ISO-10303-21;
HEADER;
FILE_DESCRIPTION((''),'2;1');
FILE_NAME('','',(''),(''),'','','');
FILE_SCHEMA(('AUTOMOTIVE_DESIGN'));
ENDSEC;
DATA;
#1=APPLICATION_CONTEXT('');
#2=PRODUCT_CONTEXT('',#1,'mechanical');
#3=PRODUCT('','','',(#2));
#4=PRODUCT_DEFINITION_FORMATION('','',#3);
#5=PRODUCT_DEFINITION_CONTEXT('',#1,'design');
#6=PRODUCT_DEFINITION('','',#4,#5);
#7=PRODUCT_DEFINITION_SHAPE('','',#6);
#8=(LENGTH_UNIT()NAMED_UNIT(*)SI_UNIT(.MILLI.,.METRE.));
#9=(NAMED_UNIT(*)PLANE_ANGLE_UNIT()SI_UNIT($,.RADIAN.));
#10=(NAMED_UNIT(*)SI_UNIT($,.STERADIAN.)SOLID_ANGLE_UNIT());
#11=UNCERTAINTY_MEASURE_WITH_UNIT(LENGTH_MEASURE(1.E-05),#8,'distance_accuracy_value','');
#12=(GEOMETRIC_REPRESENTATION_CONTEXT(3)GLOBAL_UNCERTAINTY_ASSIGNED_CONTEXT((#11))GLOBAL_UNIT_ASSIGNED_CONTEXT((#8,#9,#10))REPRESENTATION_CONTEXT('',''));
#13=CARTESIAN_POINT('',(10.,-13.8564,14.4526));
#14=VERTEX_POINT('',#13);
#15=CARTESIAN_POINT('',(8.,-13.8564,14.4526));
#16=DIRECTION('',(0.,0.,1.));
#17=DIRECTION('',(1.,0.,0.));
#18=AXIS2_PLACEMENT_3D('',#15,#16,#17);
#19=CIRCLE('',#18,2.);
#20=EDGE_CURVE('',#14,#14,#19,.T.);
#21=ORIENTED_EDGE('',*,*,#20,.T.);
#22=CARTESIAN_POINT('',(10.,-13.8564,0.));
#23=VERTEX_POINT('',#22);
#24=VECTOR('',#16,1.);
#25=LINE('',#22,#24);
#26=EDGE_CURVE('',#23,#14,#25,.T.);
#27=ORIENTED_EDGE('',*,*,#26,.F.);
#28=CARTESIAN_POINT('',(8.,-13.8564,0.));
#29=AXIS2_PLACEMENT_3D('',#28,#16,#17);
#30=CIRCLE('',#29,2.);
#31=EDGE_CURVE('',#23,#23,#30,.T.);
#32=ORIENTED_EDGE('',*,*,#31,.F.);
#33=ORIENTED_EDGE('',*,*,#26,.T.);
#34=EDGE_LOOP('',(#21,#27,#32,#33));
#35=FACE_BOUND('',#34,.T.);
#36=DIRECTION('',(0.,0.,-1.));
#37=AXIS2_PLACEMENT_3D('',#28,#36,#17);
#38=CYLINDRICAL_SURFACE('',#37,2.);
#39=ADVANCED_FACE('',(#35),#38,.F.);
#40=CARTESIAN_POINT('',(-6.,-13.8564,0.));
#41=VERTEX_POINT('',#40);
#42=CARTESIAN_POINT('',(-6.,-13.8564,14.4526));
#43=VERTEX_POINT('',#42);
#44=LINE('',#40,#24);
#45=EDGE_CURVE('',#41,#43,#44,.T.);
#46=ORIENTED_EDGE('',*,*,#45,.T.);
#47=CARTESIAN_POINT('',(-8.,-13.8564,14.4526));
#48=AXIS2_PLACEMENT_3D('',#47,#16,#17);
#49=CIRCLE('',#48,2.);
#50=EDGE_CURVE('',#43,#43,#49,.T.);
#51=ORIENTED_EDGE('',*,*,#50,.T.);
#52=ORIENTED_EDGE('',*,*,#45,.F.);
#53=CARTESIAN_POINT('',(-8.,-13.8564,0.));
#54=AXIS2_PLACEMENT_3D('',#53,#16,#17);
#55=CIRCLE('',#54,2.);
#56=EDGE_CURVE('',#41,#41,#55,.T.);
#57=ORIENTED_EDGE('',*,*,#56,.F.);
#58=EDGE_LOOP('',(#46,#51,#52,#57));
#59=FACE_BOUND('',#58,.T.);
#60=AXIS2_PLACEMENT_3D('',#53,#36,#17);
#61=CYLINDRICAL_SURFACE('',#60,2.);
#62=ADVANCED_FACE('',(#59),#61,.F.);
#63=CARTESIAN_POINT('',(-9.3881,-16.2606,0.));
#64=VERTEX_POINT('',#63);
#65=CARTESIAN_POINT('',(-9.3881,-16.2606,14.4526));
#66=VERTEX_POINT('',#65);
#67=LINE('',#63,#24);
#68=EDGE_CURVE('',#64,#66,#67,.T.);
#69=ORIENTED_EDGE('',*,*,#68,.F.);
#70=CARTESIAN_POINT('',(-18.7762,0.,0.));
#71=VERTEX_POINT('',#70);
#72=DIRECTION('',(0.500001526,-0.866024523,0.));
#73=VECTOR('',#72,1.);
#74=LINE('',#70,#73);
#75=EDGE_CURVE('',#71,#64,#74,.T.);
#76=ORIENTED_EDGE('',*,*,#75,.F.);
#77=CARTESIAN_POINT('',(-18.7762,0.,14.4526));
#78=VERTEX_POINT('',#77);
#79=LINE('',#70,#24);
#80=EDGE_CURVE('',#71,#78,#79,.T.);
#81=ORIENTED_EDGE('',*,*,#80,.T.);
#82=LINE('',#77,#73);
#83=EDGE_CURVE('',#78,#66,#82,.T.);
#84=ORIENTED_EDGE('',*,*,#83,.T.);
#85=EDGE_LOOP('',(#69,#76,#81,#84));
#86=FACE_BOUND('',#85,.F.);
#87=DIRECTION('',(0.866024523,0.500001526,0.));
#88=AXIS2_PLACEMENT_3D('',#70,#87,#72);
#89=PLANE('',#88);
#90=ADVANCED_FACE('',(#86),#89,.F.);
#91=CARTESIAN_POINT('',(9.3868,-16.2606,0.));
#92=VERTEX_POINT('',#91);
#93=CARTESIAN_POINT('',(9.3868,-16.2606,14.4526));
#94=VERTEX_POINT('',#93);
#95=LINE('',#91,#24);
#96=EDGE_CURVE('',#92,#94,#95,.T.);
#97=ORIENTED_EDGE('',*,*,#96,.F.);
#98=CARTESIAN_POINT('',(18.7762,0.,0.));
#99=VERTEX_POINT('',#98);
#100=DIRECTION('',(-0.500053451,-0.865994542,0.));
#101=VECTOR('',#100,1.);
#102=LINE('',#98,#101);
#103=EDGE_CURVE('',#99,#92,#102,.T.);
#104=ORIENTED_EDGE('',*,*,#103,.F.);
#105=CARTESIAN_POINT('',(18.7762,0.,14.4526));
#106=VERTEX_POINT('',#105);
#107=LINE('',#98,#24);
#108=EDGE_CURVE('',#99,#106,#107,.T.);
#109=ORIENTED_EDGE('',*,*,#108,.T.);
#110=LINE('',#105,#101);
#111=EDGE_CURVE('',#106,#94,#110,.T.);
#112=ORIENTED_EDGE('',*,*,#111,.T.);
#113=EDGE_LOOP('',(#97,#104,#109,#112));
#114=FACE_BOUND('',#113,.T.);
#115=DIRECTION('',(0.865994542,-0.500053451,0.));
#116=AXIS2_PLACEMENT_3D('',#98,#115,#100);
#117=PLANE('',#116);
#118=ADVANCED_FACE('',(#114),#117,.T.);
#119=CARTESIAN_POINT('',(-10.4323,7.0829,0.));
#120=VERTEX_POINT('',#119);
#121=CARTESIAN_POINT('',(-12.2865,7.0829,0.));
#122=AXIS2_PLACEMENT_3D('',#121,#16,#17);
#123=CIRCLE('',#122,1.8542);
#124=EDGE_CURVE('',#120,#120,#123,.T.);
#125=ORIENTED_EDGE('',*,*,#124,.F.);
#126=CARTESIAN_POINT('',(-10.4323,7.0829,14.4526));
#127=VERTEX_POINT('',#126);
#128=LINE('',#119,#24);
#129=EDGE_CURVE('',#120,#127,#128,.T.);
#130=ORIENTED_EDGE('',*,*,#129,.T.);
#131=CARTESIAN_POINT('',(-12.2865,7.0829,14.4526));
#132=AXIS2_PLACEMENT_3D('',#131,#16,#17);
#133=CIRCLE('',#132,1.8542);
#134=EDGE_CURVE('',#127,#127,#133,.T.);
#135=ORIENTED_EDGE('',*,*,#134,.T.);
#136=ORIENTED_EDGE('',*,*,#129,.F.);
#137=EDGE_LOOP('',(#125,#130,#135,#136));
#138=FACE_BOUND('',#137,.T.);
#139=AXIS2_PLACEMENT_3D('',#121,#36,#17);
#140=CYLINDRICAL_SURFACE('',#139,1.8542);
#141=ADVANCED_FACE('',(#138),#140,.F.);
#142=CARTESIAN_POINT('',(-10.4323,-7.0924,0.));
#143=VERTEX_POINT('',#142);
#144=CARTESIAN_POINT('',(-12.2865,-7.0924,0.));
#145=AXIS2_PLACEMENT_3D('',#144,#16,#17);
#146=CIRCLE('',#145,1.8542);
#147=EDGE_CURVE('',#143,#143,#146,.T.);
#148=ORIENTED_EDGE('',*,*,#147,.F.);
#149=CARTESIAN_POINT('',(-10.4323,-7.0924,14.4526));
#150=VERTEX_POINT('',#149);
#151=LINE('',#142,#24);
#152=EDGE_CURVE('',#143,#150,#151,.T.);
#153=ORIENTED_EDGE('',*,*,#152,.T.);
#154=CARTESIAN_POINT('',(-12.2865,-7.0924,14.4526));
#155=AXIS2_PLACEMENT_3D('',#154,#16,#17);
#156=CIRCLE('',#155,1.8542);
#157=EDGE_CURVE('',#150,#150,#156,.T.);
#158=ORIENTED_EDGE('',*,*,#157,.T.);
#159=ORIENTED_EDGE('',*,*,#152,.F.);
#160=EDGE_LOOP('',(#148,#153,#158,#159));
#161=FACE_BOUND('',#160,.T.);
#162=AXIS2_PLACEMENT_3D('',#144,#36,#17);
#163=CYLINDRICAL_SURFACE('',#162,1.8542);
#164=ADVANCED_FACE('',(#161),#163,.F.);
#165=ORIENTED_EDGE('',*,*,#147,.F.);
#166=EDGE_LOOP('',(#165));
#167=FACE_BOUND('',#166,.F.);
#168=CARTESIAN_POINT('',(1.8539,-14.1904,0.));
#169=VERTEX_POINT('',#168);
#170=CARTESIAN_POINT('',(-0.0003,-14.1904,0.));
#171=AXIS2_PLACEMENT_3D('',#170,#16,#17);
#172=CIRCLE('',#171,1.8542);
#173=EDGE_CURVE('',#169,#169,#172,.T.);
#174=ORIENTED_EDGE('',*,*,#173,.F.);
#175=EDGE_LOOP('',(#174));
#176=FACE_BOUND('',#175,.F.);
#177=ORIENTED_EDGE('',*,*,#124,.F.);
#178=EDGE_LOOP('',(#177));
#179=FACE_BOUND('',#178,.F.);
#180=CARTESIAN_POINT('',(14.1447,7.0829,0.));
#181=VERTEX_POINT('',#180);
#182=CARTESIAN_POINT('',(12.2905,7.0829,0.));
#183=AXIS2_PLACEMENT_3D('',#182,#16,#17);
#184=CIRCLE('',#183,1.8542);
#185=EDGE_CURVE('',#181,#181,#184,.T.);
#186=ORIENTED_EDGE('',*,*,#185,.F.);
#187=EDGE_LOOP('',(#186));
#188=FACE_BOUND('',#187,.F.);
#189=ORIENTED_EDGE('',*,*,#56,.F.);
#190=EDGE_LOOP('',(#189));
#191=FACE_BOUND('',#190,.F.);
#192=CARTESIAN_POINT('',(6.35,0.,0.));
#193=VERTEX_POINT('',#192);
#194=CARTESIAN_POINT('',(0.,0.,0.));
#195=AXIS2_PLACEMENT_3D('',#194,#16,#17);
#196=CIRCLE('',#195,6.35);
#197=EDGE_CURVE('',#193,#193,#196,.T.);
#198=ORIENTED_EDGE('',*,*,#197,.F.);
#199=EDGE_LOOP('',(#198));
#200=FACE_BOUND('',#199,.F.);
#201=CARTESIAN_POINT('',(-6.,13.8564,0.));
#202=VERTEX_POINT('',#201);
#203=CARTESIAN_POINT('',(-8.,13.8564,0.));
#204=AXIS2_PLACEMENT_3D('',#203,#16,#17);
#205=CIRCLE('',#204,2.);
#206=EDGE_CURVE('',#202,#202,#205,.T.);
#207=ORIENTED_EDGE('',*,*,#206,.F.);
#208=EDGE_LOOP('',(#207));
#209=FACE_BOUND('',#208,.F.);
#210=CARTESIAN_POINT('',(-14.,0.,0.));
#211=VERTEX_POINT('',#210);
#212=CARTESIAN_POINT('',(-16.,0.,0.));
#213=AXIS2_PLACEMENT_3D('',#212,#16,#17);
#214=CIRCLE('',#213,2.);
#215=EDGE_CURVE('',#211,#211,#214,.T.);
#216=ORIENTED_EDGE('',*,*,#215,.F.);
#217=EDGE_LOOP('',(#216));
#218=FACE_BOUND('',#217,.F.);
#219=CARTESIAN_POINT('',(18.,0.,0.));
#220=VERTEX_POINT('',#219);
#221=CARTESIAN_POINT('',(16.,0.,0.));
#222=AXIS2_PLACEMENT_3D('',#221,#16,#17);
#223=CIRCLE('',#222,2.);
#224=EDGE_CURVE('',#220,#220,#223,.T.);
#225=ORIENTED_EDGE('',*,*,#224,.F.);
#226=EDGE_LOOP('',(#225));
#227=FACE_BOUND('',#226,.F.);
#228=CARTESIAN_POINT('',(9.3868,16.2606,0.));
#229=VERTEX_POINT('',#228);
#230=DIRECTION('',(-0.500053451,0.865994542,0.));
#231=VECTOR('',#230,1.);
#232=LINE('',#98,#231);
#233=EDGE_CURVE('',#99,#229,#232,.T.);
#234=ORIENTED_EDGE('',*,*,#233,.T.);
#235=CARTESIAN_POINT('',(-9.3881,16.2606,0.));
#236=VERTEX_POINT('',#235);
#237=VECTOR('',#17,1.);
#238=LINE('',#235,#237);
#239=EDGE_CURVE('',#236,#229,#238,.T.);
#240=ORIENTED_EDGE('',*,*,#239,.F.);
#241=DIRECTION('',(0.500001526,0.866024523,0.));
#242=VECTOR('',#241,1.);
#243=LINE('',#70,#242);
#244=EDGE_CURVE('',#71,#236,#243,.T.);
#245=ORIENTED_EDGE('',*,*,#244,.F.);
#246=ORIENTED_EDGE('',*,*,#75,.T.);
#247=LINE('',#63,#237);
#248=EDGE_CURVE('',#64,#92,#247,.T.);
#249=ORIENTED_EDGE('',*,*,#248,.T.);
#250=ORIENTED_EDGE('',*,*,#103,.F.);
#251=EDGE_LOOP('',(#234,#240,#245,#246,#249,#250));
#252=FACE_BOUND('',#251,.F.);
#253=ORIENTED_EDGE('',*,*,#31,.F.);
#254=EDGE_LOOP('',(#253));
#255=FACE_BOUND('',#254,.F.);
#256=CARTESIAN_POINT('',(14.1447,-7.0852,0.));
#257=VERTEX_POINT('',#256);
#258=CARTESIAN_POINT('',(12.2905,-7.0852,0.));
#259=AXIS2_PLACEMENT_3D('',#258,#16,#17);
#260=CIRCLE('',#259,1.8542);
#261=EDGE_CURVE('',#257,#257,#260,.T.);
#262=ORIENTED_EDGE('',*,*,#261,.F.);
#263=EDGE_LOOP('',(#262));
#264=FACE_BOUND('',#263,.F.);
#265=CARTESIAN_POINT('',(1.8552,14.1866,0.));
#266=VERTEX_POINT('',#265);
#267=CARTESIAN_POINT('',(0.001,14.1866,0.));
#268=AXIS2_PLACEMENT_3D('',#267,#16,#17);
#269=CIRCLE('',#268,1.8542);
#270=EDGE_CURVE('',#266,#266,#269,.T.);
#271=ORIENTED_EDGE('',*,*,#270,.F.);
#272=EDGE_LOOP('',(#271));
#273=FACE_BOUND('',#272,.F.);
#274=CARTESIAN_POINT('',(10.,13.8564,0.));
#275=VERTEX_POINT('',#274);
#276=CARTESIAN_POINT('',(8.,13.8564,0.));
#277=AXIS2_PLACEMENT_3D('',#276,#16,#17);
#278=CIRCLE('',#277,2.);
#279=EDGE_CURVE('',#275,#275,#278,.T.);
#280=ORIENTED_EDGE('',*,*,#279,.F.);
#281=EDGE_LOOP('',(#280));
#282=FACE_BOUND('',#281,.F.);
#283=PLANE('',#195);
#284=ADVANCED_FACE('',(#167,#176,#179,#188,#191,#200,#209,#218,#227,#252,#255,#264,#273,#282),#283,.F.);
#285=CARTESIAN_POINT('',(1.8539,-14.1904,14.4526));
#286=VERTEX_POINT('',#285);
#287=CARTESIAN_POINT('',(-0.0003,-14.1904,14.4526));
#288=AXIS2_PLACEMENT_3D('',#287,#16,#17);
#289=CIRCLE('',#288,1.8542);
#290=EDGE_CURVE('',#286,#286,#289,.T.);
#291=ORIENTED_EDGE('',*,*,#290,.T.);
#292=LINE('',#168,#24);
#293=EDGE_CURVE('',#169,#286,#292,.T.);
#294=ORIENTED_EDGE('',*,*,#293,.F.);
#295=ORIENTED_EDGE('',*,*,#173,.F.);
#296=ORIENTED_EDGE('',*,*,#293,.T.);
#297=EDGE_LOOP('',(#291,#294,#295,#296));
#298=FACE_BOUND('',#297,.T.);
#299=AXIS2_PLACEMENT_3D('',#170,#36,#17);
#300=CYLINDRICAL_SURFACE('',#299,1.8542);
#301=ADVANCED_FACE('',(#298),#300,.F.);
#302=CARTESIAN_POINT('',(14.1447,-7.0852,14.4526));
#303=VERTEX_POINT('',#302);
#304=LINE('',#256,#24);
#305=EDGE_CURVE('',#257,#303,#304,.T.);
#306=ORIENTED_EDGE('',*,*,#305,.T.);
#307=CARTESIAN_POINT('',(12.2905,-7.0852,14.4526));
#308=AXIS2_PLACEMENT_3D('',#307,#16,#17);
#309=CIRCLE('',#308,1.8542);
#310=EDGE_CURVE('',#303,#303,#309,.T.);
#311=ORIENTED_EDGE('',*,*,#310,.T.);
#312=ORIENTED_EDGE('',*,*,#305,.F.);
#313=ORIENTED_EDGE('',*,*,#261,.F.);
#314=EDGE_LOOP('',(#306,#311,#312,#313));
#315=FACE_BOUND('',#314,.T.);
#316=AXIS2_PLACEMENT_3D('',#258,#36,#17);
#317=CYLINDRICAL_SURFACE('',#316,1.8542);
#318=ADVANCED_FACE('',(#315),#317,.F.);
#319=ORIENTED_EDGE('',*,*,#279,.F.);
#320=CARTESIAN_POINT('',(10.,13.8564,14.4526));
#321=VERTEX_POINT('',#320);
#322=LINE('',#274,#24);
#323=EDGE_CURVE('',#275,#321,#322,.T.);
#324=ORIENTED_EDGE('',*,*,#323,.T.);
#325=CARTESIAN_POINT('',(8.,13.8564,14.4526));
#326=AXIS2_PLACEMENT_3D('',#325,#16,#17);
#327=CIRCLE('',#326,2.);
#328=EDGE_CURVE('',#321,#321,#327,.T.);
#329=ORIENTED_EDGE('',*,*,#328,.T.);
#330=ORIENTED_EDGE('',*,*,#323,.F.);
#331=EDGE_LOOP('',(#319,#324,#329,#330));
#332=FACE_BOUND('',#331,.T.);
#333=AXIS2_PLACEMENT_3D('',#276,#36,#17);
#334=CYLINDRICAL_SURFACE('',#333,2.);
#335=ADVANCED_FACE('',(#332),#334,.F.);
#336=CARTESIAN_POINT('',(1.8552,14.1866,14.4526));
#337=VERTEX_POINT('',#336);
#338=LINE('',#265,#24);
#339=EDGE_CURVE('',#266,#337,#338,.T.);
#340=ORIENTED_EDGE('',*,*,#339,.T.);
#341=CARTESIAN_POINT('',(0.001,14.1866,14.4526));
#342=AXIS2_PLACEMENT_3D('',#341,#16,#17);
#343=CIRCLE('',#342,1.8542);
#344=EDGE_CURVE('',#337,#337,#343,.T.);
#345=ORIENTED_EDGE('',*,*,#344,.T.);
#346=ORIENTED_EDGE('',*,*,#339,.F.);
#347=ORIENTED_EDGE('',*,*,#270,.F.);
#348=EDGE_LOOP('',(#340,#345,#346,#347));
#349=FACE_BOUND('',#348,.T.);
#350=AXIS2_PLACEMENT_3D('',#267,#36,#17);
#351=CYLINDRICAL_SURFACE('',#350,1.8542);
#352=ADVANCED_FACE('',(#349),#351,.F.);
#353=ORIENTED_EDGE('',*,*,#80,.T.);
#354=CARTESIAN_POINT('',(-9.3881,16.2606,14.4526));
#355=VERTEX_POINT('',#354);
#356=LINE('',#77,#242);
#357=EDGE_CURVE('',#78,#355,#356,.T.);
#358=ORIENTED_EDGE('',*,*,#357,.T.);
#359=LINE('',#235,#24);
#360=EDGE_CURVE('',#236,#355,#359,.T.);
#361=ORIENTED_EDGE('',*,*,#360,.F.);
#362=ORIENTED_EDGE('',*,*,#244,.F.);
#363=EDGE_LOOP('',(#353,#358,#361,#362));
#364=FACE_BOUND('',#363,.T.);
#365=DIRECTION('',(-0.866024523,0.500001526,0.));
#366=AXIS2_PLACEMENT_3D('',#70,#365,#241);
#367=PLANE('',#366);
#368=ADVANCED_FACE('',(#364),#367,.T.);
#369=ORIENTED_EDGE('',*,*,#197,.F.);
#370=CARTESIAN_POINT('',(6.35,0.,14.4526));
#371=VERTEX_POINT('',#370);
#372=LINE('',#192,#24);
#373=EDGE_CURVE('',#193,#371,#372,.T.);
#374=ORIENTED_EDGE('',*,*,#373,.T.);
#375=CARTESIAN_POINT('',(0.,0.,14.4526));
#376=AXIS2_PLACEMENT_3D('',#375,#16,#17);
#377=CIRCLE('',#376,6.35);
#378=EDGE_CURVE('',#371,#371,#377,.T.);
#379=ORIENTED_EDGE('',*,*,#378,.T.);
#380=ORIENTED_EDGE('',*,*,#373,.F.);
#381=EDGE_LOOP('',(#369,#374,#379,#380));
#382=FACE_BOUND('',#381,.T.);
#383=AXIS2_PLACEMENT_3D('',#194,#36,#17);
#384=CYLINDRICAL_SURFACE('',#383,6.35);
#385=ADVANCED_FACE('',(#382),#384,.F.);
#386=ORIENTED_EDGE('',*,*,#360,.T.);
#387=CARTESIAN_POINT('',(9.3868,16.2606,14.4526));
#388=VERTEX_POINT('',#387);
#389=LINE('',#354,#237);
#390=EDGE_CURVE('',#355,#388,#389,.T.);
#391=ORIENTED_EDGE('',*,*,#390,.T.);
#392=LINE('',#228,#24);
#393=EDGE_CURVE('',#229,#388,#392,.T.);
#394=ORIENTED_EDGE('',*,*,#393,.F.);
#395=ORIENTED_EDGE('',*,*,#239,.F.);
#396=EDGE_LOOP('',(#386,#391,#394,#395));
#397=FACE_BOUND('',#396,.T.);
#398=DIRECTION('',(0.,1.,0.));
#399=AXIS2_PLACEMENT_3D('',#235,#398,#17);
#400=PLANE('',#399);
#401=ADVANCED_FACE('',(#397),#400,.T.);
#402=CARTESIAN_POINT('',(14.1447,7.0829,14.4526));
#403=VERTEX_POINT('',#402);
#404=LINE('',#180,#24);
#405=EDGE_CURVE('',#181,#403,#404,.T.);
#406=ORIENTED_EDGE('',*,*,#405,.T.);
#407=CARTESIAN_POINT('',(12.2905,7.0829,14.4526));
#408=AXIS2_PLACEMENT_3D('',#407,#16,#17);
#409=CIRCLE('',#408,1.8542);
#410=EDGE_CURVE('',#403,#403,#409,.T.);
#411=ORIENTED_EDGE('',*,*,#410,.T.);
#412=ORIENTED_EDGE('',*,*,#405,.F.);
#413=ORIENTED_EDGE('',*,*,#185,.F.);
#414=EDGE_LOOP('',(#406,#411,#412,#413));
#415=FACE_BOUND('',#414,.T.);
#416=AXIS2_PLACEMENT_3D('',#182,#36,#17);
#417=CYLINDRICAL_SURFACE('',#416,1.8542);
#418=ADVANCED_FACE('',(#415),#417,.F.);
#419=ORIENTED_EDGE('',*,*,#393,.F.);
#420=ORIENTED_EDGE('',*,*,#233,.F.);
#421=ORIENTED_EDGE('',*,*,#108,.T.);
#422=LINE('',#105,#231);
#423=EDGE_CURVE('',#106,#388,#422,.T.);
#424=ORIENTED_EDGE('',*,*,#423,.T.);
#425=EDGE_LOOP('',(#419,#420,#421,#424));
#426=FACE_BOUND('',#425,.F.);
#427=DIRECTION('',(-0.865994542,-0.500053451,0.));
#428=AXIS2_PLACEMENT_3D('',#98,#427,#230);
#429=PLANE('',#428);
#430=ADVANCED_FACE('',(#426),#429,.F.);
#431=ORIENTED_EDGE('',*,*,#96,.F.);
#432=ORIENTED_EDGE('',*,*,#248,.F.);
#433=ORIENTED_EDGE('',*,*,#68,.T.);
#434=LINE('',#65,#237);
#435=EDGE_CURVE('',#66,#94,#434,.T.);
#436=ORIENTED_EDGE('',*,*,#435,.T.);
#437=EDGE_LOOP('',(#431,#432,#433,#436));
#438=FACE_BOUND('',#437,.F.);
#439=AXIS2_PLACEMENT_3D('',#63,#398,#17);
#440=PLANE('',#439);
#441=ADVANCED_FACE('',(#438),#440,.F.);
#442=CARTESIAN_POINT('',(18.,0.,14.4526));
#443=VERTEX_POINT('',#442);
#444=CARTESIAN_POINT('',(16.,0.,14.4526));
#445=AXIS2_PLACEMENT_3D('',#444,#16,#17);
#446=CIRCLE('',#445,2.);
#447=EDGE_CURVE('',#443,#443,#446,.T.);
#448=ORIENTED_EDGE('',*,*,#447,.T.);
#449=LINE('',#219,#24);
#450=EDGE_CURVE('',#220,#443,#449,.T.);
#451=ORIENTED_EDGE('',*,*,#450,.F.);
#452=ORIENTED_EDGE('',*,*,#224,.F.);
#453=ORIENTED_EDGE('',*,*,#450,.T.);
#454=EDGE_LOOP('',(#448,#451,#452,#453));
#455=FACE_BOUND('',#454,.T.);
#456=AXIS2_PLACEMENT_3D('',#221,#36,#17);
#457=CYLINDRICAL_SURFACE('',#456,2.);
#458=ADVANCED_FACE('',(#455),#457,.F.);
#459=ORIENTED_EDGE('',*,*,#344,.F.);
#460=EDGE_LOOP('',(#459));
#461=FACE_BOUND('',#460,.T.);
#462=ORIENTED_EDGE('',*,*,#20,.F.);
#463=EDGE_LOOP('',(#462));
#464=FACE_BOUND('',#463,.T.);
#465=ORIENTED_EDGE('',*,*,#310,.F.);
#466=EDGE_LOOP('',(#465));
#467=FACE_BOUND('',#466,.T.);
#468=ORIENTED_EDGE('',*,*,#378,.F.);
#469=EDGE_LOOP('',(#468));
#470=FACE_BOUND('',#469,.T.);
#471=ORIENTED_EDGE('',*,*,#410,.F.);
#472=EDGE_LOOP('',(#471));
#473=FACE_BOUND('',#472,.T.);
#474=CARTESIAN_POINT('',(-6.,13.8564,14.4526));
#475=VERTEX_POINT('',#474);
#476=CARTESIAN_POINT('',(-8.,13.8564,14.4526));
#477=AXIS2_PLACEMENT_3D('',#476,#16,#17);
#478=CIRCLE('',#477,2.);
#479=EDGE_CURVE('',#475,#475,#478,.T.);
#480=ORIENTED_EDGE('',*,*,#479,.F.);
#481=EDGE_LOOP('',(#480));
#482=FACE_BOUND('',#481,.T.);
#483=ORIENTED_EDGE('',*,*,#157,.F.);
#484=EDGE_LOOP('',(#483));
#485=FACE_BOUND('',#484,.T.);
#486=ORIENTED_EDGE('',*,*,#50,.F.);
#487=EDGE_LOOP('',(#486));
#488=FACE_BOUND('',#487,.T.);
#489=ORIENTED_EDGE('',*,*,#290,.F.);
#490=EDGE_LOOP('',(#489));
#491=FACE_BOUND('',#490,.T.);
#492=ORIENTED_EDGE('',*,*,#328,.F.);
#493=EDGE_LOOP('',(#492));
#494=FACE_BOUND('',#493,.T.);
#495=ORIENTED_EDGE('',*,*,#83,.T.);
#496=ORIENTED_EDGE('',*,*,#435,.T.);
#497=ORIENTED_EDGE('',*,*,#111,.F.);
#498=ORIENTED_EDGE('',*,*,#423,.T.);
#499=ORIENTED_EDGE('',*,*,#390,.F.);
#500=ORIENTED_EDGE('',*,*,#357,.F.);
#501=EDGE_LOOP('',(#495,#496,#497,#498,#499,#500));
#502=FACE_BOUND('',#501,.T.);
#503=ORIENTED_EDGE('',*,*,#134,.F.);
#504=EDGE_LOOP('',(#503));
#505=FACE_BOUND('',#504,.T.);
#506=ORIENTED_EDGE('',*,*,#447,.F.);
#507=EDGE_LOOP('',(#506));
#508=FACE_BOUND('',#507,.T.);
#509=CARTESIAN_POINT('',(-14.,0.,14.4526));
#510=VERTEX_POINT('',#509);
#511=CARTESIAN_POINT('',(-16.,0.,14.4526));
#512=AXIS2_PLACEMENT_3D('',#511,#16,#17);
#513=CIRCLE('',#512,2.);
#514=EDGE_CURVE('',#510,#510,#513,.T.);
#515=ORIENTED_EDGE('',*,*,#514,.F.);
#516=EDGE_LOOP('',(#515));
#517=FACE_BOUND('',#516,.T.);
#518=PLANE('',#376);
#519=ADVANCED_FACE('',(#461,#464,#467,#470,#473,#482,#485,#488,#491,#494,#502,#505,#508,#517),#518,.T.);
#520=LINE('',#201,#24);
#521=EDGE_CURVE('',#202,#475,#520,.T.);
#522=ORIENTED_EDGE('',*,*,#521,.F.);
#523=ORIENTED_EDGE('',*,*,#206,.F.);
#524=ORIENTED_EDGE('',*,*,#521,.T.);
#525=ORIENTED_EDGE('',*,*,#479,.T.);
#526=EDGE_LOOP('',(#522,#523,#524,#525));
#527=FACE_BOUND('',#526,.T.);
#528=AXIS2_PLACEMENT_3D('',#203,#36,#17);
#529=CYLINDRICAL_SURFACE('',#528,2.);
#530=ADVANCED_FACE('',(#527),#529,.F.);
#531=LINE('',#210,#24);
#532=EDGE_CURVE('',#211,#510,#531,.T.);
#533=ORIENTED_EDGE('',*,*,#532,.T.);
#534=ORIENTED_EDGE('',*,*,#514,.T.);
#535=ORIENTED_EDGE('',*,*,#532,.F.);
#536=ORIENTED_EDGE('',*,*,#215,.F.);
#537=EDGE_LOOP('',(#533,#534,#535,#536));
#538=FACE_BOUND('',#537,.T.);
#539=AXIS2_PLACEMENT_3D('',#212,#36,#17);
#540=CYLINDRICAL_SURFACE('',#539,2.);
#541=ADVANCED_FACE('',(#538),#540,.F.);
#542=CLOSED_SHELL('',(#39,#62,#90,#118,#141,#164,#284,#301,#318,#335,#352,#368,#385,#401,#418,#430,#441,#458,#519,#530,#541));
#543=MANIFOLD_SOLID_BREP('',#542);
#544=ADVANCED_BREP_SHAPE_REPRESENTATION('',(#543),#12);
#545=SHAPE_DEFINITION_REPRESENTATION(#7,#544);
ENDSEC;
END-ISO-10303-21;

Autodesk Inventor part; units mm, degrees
ref_plane "YZ Plane" through (0, 0, 0) normal (1, 0, 0) x (0, 1, 0)
ref_plane "XZ Plane" through (0, 0, 0) normal (0, 1, 0) x (-1, 0, 0)
ref_plane "XY Plane" through (0, 0, 0) normal (0, 0, 1) x (1, 0, 0)
sketch "Sketch1" plane through (0, 0, 0) normal (0, 0, 1) x (1, 0, 0)
  line L0 (-9.3881, 16.2606) -> (9.3868, 16.2606)
  line L1 (18.7092, 0.25) -> (18.7092, 0.25)
  line L2 (18.7762, 0) -> (9.3868, 16.2606)
  line L3 (18.7762, 0) -> (9.3868, -16.2606)
  line L4 (-9.3881, -16.2606) -> (9.3868, -16.2606)
  line L5 (-18.7762, 0) -> (-9.3881, -16.2606)
  line L6 (-18.7762, 0) -> (-9.3881, 16.2606)
  circle A0 centre (16, 0) radius 2
  circle A1 centre (8, 13.8564) radius 2
  circle A2 centre (-8, 13.8564) radius 2
  circle A3 centre (-16, 0) radius 2
  circle A4 centre (8, -13.8564) radius 2
  circle A5 centre (-8, -13.8564) radius 2
  circle A6 centre (0, 0) radius 6.35
  circle A7 centre (-0.0003, -14.1904) radius 1.8542
  circle A8 centre (0.001, 14.1866) radius 1.8542
  circle A9 centre (12.2905, 7.0829) radius 1.8542
  circle A10 centre (12.2905, -7.0852) radius 1.8542
  circle A11 centre (-12.2865, -7.0924) radius 1.8542
  circle A12 centre (-12.2865, 7.0829) radius 1.8542
  dimension "d3" = 12.7
  dimension "d4" = 3.7084
  dimension "d5" = 3.7084
  dimension "d6" = 3.7084
  dimension "d7" = 3.7084
  dimension "d8" = 3.7084
  dimension "d9" = 3.7084
extrude "Extrusion1" add sketch "Sketch1" along normal blind 14.4526
properties part number "90d Spacer"
